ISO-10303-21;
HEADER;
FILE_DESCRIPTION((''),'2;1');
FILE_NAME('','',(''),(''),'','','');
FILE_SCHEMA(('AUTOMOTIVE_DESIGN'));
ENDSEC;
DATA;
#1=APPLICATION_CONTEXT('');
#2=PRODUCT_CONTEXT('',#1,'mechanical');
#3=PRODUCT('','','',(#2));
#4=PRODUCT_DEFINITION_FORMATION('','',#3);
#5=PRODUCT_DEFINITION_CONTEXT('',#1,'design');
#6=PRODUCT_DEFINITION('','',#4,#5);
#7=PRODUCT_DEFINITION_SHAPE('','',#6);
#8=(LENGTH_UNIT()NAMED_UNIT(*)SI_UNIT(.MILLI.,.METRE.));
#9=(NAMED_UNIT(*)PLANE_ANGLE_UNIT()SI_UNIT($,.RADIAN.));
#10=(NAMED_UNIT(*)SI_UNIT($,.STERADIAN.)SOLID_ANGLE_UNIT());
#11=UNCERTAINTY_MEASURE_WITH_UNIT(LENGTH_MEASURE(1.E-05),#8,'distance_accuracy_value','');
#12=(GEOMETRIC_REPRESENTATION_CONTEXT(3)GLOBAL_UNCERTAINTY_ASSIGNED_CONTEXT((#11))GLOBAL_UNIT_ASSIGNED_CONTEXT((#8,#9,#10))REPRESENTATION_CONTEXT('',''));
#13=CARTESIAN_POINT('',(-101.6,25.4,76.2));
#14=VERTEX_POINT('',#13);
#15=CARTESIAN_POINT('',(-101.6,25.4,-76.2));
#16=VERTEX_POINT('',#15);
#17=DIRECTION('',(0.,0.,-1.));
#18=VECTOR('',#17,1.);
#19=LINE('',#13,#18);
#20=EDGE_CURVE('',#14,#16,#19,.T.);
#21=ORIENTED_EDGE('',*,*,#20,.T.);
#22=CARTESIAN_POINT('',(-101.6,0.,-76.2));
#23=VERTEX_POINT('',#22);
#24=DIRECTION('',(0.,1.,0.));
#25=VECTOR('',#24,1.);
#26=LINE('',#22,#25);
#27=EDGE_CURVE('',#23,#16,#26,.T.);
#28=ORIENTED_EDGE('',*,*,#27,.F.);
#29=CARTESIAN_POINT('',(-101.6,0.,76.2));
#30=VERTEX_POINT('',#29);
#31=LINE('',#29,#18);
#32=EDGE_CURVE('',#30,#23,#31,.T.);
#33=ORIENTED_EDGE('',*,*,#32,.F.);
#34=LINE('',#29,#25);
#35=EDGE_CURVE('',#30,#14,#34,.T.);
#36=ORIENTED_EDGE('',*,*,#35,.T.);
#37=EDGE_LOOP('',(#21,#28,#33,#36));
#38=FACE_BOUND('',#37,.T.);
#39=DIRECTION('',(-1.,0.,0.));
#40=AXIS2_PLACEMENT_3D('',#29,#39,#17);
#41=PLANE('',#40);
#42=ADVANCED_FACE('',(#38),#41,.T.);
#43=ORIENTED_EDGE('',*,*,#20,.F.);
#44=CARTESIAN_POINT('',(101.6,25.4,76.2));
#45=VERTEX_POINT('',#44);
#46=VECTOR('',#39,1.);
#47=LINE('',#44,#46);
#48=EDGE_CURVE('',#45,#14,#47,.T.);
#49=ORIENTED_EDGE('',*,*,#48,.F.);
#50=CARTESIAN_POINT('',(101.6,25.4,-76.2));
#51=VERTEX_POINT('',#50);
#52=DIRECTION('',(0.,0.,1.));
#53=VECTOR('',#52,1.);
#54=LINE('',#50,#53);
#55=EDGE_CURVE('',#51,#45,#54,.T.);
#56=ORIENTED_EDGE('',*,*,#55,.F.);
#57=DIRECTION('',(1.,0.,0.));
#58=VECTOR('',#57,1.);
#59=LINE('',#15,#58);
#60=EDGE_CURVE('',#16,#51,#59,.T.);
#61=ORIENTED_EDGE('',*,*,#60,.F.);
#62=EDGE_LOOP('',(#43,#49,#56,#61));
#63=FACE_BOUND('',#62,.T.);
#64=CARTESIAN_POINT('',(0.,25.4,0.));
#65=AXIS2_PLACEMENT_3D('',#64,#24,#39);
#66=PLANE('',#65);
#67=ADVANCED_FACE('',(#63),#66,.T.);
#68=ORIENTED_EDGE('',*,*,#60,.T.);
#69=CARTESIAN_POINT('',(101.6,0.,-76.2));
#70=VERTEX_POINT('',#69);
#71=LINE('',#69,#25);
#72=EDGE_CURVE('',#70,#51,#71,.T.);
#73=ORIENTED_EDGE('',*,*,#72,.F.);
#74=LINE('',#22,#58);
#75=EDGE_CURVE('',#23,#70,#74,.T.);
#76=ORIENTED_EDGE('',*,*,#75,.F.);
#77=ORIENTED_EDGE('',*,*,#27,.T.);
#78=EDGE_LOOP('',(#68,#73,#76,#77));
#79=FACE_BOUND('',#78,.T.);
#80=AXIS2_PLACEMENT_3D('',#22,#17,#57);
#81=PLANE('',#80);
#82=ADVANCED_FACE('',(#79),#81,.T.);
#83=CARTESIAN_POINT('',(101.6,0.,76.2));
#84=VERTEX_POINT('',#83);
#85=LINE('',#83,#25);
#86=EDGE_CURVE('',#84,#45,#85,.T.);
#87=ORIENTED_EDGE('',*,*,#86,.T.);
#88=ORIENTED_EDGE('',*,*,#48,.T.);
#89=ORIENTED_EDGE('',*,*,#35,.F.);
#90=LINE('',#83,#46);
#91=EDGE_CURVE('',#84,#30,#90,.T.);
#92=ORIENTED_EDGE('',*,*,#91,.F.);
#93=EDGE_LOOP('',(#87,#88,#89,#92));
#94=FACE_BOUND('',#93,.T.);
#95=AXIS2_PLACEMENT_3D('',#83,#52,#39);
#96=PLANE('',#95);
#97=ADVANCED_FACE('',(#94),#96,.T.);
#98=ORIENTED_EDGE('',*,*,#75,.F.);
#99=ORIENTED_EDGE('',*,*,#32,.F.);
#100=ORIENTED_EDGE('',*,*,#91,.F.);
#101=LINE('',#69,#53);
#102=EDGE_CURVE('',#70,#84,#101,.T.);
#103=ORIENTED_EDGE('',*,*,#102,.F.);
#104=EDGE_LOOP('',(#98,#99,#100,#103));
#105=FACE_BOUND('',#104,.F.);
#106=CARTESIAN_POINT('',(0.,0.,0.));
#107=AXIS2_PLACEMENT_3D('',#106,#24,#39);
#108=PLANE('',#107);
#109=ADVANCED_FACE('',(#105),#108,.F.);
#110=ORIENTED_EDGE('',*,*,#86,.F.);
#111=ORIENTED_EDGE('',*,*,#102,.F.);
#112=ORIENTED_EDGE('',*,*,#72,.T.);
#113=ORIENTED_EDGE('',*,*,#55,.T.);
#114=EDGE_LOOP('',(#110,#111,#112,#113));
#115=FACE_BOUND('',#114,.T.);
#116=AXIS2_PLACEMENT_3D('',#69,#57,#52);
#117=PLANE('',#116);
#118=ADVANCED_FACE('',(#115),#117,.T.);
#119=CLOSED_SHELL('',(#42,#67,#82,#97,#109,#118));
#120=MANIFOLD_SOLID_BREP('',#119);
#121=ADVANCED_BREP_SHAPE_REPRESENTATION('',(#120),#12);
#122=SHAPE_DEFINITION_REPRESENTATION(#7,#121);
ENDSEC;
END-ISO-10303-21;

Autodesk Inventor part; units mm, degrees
ref_plane "YZ Plane" through (0, 0, 0) normal (1, 0, 0) x (0, 1, 0)
ref_plane "XZ Plane" through (0, 0, 0) normal (0, 1, 0) x (-1, 0, 0)
ref_plane "XY Plane" through (0, 0, 0) normal (0, 0, 1) x (1, 0, 0)
sketch "Sketch1" plane through (0, 0, 0) normal (0, 1, 0) x (-1, 0, 0)
  line L0 (-101.6, 76.2) -> (101.6, 76.2)
  line L1 (101.6, 76.2) -> (101.6, -76.2)
  line L2 (101.6, -76.2) -> (-101.6, -76.2)
  line L3 (-101.6, -76.2) -> (-101.6, 76.2)
  line L4 (-101.6, 76.2) -> (101.6, -76.2) construction
  line L5 (101.6, 76.2) -> (-101.6, -76.2) construction
  point P0 (0, 0)
  dimension "d0" = 203.2
  dimension "d1" = 152.4
extrude "Extrusion1" add sketch "Sketch1" along normal blind 25.4
properties part number "Test Part"
